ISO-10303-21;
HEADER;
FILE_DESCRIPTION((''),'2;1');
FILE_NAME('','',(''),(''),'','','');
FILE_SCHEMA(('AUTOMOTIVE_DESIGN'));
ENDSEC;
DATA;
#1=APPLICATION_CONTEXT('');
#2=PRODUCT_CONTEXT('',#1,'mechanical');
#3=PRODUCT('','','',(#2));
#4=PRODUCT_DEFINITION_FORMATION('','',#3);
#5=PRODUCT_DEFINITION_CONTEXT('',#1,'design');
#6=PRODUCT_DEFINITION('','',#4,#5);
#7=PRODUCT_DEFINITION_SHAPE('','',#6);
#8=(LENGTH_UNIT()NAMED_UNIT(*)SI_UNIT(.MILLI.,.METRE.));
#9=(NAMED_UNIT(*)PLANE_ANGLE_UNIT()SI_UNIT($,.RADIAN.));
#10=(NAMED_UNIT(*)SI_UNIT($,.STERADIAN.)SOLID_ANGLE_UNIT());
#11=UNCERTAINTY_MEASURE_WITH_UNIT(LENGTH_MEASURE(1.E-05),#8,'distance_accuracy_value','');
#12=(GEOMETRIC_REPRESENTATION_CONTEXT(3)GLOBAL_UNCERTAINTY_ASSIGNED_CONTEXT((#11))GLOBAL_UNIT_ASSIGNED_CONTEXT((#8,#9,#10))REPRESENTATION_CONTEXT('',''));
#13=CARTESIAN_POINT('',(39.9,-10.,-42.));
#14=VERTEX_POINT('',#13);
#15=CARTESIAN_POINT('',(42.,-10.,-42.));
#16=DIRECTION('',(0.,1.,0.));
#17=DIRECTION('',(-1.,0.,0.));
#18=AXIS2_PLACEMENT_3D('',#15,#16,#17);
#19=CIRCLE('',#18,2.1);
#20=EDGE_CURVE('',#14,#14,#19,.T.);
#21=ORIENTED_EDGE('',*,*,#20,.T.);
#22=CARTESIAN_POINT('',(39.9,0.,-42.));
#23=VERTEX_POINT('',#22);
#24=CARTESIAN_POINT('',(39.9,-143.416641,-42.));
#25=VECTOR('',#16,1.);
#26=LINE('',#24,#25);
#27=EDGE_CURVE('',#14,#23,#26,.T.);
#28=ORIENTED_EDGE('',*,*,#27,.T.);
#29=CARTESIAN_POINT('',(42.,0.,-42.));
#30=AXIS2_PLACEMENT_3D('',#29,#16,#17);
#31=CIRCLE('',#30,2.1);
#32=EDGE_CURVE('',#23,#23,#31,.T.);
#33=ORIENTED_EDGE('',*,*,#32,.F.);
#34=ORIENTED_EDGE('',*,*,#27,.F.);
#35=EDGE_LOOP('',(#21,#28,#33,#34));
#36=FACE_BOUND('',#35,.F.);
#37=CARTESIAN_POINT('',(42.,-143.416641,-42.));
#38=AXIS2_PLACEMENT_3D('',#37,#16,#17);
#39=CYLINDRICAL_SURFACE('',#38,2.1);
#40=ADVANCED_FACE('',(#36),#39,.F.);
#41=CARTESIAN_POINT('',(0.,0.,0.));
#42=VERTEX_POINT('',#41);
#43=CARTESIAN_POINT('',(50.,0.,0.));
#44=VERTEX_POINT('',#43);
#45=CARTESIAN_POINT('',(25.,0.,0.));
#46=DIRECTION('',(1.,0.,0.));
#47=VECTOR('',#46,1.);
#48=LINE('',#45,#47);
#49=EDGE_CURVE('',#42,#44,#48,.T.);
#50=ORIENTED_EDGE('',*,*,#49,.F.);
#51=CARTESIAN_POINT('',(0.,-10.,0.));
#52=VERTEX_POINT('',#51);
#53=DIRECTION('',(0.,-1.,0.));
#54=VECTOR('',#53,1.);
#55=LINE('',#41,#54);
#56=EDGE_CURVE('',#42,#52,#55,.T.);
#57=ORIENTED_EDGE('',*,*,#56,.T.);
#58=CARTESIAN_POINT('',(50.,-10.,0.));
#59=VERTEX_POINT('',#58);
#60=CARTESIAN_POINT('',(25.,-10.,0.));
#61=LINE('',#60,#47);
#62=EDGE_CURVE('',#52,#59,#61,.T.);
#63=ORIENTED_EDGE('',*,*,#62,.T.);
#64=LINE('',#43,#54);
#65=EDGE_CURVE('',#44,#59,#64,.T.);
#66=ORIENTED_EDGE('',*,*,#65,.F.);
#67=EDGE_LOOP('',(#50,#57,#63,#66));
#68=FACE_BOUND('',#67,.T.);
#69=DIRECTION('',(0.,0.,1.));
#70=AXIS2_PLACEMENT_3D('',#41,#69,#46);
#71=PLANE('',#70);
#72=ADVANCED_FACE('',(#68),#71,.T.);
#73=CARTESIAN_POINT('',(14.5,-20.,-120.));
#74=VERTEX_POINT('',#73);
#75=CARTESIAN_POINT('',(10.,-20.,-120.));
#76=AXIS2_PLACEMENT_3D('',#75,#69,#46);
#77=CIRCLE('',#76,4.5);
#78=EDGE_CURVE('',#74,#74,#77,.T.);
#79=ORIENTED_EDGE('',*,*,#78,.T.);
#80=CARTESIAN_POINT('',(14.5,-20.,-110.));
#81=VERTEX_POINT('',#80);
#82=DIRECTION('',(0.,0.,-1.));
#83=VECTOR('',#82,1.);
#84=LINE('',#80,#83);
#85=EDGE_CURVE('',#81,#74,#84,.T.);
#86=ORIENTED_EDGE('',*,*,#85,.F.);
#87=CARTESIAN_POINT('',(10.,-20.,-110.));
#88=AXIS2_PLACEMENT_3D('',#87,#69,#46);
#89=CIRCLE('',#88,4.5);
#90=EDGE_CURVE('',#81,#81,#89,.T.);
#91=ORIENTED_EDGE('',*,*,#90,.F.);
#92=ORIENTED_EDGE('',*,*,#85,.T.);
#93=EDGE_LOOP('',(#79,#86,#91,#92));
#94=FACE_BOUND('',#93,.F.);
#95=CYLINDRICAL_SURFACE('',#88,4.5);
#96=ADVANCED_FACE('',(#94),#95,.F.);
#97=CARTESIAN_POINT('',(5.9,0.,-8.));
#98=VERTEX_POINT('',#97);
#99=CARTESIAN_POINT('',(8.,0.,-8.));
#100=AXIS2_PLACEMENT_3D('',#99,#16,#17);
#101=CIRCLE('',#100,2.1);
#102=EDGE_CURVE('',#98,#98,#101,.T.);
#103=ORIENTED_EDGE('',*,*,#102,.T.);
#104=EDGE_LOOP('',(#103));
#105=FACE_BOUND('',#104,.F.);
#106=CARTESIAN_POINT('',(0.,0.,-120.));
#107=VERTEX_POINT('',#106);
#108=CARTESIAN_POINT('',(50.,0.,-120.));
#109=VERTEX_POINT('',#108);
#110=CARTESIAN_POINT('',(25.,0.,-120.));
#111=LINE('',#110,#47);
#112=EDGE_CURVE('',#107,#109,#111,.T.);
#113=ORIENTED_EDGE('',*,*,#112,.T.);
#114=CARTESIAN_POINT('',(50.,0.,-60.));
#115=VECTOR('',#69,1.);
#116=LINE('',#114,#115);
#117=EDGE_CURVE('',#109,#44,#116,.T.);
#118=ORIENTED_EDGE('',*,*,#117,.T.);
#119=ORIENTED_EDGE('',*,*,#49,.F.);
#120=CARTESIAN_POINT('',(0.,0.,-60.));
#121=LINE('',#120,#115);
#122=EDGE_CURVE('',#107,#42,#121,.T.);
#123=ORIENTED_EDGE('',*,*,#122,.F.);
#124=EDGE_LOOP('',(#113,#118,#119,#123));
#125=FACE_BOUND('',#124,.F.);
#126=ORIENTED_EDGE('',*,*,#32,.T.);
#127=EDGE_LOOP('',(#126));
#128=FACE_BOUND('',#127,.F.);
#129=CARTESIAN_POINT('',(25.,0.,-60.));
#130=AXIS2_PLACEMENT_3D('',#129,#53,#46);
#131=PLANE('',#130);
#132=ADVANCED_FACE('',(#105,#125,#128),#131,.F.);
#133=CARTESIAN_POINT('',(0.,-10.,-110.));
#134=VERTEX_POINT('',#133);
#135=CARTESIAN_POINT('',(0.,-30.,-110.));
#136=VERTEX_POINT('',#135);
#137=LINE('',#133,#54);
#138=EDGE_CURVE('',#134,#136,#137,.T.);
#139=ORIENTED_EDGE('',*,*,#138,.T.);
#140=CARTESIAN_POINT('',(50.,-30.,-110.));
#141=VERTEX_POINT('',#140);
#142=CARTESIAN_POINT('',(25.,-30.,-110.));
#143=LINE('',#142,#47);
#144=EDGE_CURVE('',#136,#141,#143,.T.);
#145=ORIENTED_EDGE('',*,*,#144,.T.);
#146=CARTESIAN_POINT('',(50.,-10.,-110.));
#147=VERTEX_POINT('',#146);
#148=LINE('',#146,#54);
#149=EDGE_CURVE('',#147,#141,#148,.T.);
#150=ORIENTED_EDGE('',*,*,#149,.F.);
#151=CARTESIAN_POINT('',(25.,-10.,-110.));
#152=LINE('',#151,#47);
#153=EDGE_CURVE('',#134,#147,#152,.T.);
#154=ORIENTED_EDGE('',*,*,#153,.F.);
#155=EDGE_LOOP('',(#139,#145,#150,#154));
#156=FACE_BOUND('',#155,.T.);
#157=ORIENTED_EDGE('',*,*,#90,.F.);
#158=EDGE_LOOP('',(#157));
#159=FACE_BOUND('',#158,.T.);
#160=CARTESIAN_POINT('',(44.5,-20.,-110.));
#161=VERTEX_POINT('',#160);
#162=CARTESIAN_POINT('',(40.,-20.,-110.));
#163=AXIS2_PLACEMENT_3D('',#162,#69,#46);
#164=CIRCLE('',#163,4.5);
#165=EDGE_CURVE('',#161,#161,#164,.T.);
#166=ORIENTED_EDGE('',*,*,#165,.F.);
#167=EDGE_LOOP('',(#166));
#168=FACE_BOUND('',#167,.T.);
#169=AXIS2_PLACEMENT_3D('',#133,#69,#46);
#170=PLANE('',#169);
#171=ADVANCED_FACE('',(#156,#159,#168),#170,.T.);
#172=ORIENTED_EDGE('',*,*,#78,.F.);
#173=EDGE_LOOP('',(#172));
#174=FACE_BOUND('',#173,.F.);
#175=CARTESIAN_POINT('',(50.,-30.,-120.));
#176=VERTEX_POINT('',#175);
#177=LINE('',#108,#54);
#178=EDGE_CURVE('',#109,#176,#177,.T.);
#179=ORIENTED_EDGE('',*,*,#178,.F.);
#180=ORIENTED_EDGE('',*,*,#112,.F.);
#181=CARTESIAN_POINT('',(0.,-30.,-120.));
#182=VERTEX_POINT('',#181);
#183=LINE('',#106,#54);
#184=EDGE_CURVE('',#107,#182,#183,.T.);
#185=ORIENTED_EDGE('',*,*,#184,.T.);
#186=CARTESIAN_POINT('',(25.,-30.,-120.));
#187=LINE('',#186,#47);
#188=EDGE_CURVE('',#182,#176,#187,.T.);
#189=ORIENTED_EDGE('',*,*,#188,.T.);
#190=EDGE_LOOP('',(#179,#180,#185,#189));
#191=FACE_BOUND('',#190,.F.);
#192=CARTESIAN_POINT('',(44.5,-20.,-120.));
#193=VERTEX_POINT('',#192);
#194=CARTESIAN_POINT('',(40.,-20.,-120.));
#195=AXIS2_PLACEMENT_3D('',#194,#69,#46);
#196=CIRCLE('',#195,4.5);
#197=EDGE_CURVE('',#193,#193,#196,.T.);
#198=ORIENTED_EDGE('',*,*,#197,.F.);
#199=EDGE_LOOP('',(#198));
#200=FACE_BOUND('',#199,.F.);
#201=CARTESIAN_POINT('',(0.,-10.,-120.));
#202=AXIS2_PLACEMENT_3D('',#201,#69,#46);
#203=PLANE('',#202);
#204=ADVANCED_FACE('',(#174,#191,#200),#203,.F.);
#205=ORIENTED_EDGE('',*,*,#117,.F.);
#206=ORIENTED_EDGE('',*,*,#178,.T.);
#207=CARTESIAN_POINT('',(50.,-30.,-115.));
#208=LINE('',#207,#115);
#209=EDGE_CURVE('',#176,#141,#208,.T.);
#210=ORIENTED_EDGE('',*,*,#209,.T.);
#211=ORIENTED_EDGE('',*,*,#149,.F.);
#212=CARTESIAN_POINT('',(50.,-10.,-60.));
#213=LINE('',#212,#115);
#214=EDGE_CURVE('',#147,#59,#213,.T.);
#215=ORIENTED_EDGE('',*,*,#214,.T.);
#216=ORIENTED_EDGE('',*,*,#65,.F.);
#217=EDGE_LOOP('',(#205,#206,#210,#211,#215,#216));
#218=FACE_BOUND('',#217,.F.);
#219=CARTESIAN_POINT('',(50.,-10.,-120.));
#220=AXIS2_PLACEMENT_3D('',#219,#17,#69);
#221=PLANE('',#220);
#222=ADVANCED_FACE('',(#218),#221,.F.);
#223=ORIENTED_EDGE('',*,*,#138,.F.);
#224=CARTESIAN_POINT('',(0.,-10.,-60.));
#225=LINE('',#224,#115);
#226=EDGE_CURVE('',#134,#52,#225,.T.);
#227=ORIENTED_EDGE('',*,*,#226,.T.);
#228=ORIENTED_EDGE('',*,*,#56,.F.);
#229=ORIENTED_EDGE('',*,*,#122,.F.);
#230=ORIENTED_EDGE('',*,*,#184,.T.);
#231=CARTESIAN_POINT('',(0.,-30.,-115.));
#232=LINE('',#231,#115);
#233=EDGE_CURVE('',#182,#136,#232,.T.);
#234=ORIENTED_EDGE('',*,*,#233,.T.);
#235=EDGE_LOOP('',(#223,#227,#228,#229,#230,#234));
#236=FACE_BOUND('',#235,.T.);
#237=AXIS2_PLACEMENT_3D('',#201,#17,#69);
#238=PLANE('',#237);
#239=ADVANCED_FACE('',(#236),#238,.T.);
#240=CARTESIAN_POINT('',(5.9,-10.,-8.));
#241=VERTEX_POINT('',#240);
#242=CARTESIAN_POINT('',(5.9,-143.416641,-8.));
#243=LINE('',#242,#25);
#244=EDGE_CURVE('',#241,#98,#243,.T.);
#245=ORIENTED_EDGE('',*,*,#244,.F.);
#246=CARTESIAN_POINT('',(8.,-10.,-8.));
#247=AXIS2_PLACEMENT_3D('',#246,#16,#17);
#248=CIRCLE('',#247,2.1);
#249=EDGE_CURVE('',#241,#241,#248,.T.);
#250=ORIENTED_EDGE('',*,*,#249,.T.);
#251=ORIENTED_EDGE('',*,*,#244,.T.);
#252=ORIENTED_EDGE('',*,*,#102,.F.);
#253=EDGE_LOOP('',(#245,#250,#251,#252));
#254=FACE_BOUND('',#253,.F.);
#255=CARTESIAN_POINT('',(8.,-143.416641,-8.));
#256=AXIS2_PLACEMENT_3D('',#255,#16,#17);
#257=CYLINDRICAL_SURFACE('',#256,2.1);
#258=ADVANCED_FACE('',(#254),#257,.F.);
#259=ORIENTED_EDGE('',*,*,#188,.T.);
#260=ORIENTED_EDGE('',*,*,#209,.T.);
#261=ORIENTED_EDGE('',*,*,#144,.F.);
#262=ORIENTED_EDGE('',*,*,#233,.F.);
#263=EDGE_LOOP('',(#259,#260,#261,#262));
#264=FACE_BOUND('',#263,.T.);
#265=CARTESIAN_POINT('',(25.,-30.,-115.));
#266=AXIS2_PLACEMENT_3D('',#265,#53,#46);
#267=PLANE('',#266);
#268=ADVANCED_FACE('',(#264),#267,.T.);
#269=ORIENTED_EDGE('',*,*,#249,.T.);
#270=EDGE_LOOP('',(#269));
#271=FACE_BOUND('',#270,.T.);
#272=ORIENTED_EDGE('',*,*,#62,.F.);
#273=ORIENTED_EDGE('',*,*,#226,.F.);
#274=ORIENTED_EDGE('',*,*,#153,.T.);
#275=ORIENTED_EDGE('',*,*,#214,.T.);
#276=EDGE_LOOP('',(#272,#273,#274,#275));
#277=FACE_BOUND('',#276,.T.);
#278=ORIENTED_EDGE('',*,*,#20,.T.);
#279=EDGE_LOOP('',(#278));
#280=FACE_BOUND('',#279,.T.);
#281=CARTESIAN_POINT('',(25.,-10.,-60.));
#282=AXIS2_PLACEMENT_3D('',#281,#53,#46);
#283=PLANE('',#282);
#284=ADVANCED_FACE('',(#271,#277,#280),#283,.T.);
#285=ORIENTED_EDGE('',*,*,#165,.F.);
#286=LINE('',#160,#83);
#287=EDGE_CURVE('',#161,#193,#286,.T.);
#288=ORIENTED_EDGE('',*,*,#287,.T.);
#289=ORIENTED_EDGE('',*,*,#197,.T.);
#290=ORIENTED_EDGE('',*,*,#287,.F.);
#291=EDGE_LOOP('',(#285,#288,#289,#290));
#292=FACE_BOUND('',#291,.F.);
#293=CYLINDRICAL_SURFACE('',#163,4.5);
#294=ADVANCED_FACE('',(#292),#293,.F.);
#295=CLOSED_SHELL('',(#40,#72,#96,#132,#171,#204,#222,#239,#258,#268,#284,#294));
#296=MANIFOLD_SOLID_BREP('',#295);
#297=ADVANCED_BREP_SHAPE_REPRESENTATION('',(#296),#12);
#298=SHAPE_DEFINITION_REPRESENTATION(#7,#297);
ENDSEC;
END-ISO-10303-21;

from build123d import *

# Parameters (mm, degrees)
F0_W     = 50
F0_H     = 120
F1_DEPTH = 10
F2_W     = 50
F2_H     = 10
F3_DEPTH = 20
F4_R     = 4.5
F5_DEPTH = 10.001
F7_D     = 4.2


with BuildPart() as f1:
    # F0 (on Front) → F1 (new body)
    with BuildSketch(Plane.XZ):
        with Locations((25, -60)):
            Rectangle(F0_W, F0_H)
    extrude(amount=F1_DEPTH)

    # F2 (on face) → F3 (join)
    with BuildSketch(Plane.XZ.offset(10)):
        with Locations((25, -115)):
            Rectangle(F2_W, F2_H)
    extrude(amount=F3_DEPTH)

    # F4 (on face) → F5 (cut, through all)
    with BuildSketch(Plane.XY.offset(-110)):
        with Locations((10, -20)):
            Circle(F4_R)
        with Locations((40, -20)):
            Circle(F4_R)
    extrude(amount=-F5_DEPTH, mode=Mode.SUBTRACT)

    # F7 (through all)
    with Locations(Plane.XZ.offset(10)):
        with Locations((8, -8), (42, -42)):
            Hole(F7_D / 2)


solid = f1.part
